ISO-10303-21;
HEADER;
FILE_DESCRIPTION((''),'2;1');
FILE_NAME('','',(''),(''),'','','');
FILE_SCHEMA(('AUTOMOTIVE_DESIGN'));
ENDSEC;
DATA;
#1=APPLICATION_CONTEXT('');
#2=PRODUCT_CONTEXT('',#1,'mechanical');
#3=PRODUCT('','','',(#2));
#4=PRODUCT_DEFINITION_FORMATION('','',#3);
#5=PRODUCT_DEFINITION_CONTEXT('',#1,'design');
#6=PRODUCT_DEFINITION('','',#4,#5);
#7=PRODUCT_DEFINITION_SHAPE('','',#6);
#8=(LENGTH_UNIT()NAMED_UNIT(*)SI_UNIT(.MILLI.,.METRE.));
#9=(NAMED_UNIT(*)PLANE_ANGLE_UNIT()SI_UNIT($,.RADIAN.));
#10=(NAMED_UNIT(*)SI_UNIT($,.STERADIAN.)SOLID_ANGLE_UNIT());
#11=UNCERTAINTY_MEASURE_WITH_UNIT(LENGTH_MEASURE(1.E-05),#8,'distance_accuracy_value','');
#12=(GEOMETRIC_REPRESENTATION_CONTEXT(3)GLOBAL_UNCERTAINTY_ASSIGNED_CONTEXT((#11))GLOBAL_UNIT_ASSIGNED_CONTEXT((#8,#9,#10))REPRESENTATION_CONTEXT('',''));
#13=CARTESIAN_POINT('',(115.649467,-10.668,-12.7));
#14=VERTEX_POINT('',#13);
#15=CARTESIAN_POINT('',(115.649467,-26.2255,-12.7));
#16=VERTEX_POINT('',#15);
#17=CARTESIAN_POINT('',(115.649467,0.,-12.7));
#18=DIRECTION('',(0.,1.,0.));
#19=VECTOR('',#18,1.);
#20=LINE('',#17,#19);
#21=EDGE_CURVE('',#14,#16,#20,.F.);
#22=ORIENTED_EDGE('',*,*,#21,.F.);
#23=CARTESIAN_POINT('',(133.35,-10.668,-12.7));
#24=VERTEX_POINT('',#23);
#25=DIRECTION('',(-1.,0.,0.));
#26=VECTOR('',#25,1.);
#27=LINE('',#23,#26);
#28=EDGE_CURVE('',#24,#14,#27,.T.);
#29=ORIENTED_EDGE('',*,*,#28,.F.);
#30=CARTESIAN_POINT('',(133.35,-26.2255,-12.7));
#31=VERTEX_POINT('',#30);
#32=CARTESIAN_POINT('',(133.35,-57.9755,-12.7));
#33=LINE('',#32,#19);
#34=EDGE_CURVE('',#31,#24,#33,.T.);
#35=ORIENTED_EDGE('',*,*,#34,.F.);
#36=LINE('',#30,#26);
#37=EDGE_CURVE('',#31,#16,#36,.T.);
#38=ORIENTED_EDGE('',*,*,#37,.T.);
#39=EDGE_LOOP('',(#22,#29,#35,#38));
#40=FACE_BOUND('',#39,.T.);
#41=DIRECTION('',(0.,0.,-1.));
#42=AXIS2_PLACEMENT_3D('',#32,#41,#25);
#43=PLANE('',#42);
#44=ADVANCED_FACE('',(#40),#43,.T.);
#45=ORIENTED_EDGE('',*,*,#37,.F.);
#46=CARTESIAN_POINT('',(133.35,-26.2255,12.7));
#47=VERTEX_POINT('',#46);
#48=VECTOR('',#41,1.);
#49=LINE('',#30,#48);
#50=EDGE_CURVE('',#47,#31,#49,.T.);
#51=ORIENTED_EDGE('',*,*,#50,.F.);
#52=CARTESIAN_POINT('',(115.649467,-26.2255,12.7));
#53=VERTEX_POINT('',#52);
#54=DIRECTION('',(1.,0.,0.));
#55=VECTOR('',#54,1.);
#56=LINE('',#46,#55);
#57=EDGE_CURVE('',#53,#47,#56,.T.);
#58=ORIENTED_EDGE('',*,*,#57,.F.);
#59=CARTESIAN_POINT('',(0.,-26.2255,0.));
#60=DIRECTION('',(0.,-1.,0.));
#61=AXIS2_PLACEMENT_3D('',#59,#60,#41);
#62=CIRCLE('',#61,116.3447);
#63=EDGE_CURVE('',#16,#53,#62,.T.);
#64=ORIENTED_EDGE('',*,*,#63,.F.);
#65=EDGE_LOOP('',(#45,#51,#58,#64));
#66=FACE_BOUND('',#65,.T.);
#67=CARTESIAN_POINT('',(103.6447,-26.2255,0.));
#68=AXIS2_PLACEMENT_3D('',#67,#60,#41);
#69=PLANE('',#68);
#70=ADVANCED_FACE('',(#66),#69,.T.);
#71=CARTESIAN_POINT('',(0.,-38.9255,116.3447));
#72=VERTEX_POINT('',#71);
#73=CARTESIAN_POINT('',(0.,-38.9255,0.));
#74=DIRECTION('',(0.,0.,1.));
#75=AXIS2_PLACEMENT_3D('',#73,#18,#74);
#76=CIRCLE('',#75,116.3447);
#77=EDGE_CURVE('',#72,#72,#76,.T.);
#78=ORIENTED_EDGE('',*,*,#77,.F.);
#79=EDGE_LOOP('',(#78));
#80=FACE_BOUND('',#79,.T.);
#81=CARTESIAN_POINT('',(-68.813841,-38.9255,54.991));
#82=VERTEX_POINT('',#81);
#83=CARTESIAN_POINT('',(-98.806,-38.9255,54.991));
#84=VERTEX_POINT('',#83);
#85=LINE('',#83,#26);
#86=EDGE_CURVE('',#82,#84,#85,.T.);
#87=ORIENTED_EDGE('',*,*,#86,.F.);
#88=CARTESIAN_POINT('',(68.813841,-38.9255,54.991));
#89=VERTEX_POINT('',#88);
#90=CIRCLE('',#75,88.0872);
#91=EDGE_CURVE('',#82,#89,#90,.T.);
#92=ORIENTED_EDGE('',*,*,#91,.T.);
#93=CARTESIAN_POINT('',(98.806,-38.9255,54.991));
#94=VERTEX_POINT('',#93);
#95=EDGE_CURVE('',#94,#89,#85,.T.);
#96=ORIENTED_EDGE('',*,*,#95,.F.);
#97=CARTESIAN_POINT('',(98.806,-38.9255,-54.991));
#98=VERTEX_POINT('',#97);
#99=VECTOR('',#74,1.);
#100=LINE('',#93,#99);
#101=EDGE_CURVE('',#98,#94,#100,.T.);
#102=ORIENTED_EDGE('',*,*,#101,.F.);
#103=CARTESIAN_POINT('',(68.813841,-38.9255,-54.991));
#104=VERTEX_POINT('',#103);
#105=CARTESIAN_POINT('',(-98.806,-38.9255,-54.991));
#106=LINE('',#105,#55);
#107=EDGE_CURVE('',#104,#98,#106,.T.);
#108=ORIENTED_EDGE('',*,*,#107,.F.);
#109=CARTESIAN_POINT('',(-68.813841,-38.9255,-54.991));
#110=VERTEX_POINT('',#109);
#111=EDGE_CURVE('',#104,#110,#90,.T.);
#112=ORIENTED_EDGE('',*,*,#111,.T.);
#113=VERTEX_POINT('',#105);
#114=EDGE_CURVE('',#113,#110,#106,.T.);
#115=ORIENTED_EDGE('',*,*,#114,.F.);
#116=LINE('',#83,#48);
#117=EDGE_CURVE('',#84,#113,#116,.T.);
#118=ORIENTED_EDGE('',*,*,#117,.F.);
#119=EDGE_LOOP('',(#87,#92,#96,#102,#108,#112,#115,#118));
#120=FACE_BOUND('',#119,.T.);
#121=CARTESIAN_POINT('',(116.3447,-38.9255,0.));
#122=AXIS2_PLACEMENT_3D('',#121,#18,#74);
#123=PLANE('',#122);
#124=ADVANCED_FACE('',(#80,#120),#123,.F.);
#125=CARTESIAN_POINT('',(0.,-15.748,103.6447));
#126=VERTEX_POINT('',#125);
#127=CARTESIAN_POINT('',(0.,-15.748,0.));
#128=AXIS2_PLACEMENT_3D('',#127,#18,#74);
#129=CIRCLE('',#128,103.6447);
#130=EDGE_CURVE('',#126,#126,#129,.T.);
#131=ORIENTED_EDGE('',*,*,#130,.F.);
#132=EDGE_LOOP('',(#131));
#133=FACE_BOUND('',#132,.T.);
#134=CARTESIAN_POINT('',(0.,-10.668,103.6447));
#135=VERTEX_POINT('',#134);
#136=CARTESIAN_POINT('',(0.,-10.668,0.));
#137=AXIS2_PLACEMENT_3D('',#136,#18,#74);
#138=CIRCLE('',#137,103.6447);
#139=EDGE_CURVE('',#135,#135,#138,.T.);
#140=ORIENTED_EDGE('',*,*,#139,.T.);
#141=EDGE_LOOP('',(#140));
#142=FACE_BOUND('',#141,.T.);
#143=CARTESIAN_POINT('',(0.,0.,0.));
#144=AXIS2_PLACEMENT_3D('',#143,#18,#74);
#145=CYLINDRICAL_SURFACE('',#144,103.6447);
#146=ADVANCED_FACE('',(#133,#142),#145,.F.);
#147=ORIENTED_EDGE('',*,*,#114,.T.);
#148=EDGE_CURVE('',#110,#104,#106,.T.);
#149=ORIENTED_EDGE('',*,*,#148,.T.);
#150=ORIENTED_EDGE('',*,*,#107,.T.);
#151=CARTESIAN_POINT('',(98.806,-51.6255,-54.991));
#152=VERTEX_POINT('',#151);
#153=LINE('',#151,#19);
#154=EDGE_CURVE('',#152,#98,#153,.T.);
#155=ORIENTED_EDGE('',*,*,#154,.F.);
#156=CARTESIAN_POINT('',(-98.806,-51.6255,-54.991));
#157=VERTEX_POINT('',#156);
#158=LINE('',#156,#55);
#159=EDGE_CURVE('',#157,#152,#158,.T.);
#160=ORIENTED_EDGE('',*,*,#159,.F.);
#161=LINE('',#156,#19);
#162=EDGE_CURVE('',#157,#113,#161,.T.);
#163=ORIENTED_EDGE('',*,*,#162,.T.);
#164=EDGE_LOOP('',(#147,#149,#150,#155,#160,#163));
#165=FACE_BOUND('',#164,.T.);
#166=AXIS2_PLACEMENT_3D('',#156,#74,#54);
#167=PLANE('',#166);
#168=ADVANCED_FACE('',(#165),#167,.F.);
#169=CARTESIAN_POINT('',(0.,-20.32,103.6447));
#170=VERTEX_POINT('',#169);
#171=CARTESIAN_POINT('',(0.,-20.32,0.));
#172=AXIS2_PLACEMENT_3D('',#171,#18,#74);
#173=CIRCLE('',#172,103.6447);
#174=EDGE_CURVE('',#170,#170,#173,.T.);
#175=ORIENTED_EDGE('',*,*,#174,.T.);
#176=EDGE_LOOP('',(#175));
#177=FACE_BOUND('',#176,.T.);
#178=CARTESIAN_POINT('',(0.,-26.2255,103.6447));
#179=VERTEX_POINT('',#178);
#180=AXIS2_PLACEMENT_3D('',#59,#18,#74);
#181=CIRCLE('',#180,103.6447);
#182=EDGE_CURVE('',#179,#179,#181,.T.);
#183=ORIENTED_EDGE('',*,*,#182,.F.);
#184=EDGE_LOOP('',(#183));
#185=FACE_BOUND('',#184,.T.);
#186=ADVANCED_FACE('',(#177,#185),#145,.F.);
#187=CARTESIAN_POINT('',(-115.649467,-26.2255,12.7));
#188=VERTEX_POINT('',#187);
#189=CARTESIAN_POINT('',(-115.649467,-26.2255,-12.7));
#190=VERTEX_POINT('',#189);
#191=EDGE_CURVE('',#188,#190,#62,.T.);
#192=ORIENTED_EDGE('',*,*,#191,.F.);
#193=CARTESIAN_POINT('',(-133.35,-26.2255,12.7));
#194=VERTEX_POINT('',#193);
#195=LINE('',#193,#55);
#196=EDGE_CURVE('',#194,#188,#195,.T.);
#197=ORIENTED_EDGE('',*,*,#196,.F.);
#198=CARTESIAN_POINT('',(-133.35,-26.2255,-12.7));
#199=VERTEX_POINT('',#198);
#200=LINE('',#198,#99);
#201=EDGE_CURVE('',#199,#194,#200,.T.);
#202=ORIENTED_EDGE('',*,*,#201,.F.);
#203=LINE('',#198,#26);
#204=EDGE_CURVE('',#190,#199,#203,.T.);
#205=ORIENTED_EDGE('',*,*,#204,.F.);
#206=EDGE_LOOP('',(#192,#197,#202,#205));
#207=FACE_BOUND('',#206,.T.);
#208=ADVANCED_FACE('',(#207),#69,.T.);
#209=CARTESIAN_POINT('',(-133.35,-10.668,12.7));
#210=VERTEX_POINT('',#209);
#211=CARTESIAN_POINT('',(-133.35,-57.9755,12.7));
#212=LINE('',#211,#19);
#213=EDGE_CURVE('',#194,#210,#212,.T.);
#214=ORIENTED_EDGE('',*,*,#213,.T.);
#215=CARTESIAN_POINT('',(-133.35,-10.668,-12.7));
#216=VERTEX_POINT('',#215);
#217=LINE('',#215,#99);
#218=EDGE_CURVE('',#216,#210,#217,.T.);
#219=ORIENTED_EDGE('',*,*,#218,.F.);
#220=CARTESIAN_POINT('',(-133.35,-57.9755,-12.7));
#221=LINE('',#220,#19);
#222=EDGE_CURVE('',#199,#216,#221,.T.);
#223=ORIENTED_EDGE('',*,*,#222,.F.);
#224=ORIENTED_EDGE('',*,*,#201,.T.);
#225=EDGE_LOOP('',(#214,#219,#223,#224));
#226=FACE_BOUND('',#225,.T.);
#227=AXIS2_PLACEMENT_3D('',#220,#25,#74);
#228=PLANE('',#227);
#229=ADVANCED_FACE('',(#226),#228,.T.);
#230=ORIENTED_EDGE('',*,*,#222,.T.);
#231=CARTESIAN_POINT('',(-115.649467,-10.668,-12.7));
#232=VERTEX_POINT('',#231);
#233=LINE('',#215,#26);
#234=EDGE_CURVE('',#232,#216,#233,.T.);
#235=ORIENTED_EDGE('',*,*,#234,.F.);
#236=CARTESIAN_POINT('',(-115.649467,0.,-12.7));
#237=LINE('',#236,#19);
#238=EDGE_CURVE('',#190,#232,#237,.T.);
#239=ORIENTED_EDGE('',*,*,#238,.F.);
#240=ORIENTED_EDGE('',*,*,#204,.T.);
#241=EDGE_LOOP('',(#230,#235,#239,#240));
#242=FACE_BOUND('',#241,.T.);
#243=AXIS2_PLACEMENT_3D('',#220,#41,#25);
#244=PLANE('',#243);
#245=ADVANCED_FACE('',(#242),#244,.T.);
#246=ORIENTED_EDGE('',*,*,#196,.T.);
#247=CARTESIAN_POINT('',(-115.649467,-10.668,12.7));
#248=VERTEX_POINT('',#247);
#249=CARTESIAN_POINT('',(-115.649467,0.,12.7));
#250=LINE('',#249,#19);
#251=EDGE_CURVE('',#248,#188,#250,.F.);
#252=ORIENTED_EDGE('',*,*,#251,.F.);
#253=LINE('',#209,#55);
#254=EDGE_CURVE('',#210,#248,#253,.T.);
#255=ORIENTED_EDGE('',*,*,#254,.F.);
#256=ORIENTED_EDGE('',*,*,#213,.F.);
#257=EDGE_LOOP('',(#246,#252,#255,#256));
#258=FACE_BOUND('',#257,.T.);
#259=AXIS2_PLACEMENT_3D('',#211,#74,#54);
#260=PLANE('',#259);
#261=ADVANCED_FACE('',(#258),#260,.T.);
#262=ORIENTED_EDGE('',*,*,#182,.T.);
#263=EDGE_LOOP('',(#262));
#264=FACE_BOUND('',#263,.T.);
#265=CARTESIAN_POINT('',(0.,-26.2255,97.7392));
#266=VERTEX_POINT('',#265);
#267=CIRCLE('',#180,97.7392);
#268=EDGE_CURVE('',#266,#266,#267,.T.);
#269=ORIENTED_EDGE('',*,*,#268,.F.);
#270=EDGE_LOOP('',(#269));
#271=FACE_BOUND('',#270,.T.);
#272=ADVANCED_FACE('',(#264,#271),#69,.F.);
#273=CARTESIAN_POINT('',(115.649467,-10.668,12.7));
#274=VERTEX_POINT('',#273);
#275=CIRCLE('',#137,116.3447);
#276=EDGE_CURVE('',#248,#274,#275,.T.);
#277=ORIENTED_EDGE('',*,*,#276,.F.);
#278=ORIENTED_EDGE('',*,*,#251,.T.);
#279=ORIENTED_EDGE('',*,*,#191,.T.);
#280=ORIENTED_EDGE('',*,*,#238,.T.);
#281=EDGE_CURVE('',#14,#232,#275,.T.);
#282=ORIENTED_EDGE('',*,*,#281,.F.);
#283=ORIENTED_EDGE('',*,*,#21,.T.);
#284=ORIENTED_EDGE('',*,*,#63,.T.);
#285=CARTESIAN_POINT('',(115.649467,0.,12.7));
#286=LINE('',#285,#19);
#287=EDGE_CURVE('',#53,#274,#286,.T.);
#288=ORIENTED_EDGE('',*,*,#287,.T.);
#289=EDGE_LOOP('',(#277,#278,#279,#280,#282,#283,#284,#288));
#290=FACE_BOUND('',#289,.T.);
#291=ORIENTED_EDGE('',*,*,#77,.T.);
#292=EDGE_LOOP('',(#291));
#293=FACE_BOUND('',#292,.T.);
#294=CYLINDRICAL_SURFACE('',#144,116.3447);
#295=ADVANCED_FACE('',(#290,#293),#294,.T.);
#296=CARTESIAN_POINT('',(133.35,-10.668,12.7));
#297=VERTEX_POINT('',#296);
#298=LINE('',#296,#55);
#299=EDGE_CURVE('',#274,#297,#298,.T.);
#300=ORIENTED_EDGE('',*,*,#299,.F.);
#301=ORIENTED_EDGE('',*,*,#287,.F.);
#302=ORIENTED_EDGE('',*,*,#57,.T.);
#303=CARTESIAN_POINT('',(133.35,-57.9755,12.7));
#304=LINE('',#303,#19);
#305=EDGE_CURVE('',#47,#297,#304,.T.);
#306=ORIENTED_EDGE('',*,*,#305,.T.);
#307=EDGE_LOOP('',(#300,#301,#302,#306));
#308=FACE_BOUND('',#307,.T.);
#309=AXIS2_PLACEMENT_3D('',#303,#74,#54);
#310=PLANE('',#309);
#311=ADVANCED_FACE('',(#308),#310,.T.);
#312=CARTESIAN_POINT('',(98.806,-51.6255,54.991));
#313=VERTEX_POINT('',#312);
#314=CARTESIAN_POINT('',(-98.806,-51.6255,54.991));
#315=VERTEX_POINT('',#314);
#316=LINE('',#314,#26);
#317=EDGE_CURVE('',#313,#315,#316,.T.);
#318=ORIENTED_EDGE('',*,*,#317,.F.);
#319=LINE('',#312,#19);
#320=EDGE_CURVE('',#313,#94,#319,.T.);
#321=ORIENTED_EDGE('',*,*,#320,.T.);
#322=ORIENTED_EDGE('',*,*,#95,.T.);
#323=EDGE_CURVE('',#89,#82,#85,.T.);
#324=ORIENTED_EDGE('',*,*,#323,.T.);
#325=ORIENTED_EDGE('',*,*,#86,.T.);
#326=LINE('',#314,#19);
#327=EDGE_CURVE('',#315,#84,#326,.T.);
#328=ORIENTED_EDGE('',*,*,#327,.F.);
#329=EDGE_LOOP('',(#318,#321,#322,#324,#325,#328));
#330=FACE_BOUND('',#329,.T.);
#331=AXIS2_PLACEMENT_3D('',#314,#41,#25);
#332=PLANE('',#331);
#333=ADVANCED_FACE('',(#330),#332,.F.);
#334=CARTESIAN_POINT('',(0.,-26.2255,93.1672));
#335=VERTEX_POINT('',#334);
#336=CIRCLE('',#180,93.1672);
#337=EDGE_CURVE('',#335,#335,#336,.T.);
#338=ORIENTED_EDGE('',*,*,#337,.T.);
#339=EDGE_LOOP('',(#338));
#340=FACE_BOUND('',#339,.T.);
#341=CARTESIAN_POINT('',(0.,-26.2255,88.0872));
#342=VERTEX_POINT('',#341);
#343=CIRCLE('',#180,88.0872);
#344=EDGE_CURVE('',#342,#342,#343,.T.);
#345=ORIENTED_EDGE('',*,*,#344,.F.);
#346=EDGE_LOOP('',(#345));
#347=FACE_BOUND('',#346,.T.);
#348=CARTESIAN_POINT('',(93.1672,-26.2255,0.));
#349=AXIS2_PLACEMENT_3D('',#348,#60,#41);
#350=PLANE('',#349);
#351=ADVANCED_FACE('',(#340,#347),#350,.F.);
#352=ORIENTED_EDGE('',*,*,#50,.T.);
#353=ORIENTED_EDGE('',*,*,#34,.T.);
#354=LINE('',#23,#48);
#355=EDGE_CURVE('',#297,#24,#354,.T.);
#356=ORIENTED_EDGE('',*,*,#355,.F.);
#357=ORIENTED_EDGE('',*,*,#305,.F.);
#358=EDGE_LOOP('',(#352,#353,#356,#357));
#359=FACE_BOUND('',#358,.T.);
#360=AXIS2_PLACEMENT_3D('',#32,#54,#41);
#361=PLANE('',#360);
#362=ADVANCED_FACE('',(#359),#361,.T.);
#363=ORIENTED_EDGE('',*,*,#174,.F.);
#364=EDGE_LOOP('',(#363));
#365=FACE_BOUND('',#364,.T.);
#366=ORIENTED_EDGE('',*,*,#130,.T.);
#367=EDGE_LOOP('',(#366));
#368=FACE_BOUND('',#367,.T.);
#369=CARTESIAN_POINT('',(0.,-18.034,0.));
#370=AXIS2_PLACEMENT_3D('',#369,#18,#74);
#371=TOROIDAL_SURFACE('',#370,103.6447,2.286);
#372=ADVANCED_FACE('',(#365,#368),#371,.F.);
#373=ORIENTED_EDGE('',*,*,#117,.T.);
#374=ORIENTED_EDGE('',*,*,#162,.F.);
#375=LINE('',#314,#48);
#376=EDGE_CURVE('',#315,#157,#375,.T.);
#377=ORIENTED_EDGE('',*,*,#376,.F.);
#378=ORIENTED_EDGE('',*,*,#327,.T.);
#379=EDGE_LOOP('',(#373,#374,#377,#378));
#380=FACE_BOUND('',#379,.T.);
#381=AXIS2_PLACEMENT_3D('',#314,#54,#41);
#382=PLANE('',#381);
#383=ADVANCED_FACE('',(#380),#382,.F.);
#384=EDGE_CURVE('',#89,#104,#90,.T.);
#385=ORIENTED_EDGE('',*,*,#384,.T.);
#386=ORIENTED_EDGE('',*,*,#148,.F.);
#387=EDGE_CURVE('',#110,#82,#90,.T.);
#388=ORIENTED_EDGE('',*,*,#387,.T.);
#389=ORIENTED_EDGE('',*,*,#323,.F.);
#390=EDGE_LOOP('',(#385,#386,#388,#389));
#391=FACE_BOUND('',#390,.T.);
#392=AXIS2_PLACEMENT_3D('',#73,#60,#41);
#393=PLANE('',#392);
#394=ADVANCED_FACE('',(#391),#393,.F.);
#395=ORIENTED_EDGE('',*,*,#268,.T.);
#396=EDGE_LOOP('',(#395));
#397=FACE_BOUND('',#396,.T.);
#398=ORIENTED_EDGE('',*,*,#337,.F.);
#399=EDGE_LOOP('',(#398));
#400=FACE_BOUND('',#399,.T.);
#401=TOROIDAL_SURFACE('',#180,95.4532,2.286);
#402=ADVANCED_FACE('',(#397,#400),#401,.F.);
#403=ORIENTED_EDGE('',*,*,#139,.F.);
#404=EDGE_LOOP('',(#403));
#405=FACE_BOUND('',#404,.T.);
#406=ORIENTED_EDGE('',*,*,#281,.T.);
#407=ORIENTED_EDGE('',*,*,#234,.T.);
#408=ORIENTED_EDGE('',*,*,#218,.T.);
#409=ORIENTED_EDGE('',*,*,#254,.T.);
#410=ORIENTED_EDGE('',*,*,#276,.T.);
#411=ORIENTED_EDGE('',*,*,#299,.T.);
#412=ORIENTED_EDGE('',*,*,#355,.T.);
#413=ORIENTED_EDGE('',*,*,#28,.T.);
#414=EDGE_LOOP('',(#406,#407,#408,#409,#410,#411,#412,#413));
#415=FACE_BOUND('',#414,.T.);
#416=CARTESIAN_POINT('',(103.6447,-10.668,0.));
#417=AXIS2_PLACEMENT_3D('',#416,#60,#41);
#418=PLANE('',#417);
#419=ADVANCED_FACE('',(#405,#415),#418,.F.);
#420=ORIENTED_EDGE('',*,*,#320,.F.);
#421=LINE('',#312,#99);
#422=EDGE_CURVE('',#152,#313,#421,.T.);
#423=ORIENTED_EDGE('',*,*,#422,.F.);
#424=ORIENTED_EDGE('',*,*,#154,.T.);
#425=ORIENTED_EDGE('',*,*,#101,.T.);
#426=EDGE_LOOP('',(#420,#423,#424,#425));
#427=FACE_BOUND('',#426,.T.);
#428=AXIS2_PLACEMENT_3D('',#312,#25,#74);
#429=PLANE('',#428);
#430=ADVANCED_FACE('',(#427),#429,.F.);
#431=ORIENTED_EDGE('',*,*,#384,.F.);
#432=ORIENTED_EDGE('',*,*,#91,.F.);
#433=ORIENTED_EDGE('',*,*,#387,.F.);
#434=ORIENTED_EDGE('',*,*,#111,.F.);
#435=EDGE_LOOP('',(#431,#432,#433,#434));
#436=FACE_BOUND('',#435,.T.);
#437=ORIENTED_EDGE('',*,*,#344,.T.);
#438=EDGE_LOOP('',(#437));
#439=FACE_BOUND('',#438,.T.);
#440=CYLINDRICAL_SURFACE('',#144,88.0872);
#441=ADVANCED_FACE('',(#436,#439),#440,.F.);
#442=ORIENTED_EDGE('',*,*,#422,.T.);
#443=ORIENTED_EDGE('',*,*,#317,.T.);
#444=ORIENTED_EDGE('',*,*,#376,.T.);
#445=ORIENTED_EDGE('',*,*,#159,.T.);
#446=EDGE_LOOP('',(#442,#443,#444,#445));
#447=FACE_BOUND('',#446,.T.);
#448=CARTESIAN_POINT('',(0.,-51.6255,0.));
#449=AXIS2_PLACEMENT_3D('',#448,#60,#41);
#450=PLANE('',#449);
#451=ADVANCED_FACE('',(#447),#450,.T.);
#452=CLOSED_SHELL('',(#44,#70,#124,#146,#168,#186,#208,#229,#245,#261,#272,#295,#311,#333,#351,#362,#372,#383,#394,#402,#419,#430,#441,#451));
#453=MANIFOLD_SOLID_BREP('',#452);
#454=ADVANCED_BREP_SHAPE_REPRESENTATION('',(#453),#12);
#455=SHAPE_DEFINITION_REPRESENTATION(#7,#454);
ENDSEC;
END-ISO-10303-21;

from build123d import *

# Parameters (mm, degrees)
SKETCH2_W           = 197.612
SKETCH2_H           = 109.982
BOSS_EXTRUDE1_DEPTH = 12.7
SKETCH3_W           = 19.05
SKETCH3_H           = 25.4
BOSS_EXTRUDE2_DEPTH = 15.5575


with BuildPart() as part:
    # Sketch1 → Revolve1 (revolve)
    with BuildSketch(Plane.XY):
        with BuildLine():
            Line((103.6447, -10.668), (103.6447, -15.748))
            ThreePointArc((103.6447, -15.748), (105.9307, -18.034), (103.6447, -20.32))
            Line((103.6447, -20.32), (103.6447, -26.2255))
            Line((103.6447, -26.2255), (97.7392, -26.2255))
            ThreePointArc((97.7392, -26.2255), (95.4532, -28.5115), (93.1672, -26.2255))
            Line((93.1672, -26.2255), (88.0872, -26.2255))
            Line((88.0872, -26.2255), (88.0872, -38.9255))
            Line((88.0872, -38.9255), (116.3447, -38.9255))
            Line((116.3447, -38.9255), (116.3447, -10.668))
            Line((116.3447, -10.668), (103.6447, -10.668))
        make_face()
    revolve(axis=Axis((0, 0, 0), (0, -1, 0)))

    # Sketch2 → Boss-Extrude1 (add)
    with BuildSketch(Plane.XZ.offset(38.9255)):
        Rectangle(SKETCH2_W, SKETCH2_H)
    extrude(amount=BOSS_EXTRUDE1_DEPTH)

    # Sketch3 → Boss-Extrude2 (add)
    with BuildSketch(Plane(origin=(0, -10.668, 0), x_dir=(1, 0, 0), z_dir=(0, 1, 0))):
        with Locations((123.825, 0)):
            Rectangle(SKETCH3_W, SKETCH3_H)
        with Locations((-123.825, 0)):
            Rectangle(SKETCH3_W, SKETCH3_H)
    extrude(amount=-BOSS_EXTRUDE2_DEPTH)


solid = part.part
